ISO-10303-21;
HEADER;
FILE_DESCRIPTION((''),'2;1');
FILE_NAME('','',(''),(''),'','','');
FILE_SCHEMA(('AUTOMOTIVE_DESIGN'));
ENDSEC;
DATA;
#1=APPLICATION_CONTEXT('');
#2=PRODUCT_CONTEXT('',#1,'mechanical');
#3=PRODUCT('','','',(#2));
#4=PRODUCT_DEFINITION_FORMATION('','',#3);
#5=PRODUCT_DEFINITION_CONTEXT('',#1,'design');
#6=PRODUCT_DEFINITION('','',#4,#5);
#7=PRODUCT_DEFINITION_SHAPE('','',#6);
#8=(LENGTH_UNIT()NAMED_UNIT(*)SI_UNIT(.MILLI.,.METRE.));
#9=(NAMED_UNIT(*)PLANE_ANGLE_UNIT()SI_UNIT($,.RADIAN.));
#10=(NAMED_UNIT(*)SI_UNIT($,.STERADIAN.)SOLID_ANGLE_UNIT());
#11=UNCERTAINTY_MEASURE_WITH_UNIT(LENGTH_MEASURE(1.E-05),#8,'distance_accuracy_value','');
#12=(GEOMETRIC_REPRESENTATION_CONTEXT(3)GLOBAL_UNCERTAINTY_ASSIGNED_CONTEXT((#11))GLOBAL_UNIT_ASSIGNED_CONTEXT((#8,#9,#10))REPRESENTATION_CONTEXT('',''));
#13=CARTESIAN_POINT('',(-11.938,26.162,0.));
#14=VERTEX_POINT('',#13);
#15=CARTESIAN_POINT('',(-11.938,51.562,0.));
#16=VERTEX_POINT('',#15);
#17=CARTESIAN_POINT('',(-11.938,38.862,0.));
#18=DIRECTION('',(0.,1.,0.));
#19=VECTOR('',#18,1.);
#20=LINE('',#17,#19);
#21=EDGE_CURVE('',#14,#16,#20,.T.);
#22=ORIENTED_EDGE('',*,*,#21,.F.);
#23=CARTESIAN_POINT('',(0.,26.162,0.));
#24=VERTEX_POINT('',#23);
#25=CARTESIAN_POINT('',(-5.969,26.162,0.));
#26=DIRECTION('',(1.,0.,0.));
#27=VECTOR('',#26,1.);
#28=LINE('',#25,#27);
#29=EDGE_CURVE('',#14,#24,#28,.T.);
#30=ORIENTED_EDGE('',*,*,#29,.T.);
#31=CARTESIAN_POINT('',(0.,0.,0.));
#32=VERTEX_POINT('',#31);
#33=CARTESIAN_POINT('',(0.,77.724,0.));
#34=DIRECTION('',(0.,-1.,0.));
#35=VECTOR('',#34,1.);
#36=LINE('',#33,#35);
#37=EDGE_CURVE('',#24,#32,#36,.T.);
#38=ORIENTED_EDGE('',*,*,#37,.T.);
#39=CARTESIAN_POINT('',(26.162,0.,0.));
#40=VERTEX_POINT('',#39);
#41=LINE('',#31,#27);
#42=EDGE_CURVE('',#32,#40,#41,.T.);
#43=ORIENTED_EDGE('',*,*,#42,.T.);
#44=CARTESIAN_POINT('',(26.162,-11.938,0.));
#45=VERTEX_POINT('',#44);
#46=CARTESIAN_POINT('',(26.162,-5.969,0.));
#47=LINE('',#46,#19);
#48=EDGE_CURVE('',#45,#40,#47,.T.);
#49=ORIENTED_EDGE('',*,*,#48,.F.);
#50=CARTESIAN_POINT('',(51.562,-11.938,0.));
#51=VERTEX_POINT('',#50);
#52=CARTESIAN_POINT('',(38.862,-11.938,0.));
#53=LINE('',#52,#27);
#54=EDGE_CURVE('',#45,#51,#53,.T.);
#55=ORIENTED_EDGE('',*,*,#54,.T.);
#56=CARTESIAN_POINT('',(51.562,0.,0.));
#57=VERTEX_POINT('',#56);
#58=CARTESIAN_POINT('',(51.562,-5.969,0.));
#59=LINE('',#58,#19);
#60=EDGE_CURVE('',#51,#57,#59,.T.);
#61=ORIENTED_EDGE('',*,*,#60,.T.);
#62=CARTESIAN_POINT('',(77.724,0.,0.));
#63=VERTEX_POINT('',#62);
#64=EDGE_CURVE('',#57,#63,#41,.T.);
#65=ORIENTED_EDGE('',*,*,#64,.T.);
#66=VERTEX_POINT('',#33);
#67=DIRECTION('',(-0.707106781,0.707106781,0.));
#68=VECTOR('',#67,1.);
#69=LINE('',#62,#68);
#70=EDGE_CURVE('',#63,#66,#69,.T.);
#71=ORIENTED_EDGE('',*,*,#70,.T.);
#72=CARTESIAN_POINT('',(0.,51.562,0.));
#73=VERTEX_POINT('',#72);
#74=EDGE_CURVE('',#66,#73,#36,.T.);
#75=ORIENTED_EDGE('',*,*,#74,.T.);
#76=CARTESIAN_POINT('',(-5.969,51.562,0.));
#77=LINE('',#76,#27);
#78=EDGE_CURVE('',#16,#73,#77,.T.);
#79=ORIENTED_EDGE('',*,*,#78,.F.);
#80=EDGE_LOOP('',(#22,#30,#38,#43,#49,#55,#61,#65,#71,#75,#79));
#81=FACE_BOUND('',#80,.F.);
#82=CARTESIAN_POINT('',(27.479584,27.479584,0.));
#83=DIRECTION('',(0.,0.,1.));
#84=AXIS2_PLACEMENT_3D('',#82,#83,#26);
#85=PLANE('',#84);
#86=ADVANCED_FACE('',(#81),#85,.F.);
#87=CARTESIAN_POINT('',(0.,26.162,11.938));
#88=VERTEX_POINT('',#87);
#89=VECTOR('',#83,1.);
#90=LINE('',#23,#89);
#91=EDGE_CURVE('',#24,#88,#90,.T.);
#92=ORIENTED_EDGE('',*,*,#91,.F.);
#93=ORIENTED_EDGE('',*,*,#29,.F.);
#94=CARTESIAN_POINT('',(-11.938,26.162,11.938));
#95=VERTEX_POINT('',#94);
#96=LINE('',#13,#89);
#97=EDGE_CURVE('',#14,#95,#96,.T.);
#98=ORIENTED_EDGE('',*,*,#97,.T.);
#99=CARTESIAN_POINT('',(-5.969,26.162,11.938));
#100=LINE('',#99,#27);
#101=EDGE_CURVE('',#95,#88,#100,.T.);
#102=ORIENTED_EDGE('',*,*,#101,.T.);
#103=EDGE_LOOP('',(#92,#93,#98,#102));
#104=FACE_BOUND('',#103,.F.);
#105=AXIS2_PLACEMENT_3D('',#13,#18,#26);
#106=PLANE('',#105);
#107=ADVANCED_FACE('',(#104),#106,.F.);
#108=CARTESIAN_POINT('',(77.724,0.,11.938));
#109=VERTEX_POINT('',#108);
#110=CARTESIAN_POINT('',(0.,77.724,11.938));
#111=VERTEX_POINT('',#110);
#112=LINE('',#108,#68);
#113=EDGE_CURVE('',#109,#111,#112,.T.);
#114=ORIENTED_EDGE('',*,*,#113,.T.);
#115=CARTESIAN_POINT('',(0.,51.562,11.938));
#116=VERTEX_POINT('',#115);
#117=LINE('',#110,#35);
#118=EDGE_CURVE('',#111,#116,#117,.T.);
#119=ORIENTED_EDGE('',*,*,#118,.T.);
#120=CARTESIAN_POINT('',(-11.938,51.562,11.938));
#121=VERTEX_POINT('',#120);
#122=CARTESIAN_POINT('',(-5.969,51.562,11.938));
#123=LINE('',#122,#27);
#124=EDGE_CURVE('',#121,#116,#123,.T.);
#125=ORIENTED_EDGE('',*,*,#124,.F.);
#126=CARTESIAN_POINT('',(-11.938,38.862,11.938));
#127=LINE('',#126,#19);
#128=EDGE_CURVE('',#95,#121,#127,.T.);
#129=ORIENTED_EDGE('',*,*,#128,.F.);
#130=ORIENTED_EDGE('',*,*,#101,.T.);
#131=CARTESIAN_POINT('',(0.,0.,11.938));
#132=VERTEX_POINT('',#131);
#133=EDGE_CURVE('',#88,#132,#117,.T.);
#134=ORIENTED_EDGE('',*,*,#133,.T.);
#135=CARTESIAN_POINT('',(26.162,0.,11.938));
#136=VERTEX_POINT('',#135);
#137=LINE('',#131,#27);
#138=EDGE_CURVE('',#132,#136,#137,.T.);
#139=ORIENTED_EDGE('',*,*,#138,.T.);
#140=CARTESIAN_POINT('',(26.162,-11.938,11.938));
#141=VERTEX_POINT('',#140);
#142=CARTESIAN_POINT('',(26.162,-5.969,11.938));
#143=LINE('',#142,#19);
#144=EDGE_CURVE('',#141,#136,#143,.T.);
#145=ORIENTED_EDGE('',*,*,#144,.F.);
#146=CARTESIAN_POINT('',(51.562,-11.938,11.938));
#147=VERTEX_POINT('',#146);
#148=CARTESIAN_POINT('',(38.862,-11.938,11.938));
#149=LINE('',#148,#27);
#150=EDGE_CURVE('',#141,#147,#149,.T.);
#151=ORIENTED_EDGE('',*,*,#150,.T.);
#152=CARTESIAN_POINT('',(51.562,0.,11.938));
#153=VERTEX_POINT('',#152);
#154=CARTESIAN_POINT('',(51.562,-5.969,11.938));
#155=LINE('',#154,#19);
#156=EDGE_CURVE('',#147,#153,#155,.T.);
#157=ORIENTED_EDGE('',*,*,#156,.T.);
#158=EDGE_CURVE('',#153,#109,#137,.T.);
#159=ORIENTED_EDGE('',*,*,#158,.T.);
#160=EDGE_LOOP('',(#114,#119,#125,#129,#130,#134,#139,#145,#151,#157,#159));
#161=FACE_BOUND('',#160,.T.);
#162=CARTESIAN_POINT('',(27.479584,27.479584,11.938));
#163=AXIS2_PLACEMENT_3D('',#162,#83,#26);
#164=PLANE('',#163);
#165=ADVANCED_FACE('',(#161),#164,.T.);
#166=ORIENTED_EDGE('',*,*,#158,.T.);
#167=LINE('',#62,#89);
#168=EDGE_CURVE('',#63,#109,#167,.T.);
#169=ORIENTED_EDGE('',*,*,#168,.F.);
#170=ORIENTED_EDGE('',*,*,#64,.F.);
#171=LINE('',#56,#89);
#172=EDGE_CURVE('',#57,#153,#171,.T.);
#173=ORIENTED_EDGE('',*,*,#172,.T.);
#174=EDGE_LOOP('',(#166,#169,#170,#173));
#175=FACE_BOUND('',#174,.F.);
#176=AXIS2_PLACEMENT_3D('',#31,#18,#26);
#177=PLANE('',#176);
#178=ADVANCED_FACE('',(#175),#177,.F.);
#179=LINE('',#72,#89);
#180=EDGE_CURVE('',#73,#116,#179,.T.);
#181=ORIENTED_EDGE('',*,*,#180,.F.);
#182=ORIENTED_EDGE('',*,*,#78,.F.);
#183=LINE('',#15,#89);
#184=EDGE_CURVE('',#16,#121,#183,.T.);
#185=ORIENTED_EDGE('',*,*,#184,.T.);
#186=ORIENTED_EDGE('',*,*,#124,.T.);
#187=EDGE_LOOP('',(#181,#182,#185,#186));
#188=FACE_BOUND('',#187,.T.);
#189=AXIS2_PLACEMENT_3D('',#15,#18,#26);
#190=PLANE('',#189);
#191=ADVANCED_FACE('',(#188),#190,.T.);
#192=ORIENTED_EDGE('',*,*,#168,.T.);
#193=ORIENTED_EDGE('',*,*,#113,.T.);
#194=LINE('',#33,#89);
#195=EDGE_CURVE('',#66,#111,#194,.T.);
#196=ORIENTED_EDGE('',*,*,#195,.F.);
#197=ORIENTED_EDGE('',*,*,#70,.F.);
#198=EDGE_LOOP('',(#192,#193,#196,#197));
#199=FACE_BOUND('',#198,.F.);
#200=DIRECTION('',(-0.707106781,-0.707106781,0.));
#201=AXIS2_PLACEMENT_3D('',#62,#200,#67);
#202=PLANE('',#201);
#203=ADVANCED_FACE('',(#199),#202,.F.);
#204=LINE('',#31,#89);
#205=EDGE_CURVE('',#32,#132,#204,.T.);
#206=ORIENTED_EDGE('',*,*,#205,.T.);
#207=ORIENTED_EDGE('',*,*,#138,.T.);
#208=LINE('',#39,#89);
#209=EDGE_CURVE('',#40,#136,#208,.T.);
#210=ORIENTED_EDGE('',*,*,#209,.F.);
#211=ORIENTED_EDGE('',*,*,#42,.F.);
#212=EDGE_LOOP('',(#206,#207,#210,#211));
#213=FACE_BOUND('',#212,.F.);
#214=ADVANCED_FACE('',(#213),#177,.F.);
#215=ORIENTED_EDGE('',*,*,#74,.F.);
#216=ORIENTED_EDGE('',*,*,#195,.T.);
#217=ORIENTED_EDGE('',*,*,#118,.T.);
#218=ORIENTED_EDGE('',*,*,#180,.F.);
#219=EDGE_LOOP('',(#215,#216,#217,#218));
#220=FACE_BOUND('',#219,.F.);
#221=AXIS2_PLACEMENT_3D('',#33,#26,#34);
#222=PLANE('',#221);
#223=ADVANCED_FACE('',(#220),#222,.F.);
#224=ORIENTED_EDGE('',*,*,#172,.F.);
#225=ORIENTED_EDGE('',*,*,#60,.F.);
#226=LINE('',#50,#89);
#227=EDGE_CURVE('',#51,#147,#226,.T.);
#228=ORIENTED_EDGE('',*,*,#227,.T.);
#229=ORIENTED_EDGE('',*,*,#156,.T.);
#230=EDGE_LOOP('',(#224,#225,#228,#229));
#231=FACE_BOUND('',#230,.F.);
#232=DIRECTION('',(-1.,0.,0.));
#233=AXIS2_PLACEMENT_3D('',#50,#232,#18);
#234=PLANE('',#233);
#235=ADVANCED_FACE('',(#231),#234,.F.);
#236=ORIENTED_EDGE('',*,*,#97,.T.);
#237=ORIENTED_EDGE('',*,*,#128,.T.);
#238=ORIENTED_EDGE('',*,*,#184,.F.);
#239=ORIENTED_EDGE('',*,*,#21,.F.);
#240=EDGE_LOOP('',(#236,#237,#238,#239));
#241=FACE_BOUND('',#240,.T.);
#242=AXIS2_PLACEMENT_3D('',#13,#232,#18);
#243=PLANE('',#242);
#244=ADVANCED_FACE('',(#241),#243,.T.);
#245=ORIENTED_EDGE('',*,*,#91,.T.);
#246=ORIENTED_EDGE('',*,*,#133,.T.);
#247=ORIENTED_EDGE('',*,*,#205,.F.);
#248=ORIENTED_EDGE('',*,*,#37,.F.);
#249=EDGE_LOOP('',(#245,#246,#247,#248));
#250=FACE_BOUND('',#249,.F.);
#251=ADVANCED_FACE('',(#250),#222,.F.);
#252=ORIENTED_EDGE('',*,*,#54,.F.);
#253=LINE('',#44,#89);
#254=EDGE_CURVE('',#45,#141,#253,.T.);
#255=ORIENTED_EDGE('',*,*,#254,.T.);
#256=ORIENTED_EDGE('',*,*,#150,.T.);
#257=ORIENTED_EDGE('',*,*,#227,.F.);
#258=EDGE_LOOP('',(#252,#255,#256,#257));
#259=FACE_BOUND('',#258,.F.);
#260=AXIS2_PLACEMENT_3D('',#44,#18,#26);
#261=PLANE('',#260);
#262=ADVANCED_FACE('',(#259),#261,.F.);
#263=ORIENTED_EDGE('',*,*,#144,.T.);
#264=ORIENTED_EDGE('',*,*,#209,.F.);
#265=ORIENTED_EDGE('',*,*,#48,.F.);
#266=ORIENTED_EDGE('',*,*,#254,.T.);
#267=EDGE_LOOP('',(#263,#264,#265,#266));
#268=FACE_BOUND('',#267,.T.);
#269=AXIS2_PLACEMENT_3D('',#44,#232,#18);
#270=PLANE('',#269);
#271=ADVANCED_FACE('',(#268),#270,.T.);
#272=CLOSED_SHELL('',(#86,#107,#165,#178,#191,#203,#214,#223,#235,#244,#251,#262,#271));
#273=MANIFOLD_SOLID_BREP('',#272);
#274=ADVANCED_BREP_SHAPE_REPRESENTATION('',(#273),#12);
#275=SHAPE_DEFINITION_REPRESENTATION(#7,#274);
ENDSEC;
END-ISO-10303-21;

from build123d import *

# Parameters (mm, degrees)
F1_DEPTH = 11.938
F0_W     = 11.938
F0_H     = 25.4
F0_W_2   = 25.4
F0_H_2   = 11.938
F2_DEPTH = 11.938


with BuildPart() as f1:
    # F0 (on Top) → F1 (new body)
    with BuildSketch(Plane.XY):
        Polygon((0, 26.162), (0, 0), (26.162, 0), (51.562, 0), (77.724, 0), (0, 77.724), (0, 51.562), align=None)
    extrude(amount=F1_DEPTH)

    # F0 (on Top) → F2 (join)
    with BuildSketch(Plane.XY):
        with Locations((-5.969, 38.862)):
            Rectangle(F0_W, F0_H)
        with Locations((38.862, -5.969)):
            Rectangle(F0_W_2, F0_H_2)
    extrude(amount=F2_DEPTH)


solid = f1.part
